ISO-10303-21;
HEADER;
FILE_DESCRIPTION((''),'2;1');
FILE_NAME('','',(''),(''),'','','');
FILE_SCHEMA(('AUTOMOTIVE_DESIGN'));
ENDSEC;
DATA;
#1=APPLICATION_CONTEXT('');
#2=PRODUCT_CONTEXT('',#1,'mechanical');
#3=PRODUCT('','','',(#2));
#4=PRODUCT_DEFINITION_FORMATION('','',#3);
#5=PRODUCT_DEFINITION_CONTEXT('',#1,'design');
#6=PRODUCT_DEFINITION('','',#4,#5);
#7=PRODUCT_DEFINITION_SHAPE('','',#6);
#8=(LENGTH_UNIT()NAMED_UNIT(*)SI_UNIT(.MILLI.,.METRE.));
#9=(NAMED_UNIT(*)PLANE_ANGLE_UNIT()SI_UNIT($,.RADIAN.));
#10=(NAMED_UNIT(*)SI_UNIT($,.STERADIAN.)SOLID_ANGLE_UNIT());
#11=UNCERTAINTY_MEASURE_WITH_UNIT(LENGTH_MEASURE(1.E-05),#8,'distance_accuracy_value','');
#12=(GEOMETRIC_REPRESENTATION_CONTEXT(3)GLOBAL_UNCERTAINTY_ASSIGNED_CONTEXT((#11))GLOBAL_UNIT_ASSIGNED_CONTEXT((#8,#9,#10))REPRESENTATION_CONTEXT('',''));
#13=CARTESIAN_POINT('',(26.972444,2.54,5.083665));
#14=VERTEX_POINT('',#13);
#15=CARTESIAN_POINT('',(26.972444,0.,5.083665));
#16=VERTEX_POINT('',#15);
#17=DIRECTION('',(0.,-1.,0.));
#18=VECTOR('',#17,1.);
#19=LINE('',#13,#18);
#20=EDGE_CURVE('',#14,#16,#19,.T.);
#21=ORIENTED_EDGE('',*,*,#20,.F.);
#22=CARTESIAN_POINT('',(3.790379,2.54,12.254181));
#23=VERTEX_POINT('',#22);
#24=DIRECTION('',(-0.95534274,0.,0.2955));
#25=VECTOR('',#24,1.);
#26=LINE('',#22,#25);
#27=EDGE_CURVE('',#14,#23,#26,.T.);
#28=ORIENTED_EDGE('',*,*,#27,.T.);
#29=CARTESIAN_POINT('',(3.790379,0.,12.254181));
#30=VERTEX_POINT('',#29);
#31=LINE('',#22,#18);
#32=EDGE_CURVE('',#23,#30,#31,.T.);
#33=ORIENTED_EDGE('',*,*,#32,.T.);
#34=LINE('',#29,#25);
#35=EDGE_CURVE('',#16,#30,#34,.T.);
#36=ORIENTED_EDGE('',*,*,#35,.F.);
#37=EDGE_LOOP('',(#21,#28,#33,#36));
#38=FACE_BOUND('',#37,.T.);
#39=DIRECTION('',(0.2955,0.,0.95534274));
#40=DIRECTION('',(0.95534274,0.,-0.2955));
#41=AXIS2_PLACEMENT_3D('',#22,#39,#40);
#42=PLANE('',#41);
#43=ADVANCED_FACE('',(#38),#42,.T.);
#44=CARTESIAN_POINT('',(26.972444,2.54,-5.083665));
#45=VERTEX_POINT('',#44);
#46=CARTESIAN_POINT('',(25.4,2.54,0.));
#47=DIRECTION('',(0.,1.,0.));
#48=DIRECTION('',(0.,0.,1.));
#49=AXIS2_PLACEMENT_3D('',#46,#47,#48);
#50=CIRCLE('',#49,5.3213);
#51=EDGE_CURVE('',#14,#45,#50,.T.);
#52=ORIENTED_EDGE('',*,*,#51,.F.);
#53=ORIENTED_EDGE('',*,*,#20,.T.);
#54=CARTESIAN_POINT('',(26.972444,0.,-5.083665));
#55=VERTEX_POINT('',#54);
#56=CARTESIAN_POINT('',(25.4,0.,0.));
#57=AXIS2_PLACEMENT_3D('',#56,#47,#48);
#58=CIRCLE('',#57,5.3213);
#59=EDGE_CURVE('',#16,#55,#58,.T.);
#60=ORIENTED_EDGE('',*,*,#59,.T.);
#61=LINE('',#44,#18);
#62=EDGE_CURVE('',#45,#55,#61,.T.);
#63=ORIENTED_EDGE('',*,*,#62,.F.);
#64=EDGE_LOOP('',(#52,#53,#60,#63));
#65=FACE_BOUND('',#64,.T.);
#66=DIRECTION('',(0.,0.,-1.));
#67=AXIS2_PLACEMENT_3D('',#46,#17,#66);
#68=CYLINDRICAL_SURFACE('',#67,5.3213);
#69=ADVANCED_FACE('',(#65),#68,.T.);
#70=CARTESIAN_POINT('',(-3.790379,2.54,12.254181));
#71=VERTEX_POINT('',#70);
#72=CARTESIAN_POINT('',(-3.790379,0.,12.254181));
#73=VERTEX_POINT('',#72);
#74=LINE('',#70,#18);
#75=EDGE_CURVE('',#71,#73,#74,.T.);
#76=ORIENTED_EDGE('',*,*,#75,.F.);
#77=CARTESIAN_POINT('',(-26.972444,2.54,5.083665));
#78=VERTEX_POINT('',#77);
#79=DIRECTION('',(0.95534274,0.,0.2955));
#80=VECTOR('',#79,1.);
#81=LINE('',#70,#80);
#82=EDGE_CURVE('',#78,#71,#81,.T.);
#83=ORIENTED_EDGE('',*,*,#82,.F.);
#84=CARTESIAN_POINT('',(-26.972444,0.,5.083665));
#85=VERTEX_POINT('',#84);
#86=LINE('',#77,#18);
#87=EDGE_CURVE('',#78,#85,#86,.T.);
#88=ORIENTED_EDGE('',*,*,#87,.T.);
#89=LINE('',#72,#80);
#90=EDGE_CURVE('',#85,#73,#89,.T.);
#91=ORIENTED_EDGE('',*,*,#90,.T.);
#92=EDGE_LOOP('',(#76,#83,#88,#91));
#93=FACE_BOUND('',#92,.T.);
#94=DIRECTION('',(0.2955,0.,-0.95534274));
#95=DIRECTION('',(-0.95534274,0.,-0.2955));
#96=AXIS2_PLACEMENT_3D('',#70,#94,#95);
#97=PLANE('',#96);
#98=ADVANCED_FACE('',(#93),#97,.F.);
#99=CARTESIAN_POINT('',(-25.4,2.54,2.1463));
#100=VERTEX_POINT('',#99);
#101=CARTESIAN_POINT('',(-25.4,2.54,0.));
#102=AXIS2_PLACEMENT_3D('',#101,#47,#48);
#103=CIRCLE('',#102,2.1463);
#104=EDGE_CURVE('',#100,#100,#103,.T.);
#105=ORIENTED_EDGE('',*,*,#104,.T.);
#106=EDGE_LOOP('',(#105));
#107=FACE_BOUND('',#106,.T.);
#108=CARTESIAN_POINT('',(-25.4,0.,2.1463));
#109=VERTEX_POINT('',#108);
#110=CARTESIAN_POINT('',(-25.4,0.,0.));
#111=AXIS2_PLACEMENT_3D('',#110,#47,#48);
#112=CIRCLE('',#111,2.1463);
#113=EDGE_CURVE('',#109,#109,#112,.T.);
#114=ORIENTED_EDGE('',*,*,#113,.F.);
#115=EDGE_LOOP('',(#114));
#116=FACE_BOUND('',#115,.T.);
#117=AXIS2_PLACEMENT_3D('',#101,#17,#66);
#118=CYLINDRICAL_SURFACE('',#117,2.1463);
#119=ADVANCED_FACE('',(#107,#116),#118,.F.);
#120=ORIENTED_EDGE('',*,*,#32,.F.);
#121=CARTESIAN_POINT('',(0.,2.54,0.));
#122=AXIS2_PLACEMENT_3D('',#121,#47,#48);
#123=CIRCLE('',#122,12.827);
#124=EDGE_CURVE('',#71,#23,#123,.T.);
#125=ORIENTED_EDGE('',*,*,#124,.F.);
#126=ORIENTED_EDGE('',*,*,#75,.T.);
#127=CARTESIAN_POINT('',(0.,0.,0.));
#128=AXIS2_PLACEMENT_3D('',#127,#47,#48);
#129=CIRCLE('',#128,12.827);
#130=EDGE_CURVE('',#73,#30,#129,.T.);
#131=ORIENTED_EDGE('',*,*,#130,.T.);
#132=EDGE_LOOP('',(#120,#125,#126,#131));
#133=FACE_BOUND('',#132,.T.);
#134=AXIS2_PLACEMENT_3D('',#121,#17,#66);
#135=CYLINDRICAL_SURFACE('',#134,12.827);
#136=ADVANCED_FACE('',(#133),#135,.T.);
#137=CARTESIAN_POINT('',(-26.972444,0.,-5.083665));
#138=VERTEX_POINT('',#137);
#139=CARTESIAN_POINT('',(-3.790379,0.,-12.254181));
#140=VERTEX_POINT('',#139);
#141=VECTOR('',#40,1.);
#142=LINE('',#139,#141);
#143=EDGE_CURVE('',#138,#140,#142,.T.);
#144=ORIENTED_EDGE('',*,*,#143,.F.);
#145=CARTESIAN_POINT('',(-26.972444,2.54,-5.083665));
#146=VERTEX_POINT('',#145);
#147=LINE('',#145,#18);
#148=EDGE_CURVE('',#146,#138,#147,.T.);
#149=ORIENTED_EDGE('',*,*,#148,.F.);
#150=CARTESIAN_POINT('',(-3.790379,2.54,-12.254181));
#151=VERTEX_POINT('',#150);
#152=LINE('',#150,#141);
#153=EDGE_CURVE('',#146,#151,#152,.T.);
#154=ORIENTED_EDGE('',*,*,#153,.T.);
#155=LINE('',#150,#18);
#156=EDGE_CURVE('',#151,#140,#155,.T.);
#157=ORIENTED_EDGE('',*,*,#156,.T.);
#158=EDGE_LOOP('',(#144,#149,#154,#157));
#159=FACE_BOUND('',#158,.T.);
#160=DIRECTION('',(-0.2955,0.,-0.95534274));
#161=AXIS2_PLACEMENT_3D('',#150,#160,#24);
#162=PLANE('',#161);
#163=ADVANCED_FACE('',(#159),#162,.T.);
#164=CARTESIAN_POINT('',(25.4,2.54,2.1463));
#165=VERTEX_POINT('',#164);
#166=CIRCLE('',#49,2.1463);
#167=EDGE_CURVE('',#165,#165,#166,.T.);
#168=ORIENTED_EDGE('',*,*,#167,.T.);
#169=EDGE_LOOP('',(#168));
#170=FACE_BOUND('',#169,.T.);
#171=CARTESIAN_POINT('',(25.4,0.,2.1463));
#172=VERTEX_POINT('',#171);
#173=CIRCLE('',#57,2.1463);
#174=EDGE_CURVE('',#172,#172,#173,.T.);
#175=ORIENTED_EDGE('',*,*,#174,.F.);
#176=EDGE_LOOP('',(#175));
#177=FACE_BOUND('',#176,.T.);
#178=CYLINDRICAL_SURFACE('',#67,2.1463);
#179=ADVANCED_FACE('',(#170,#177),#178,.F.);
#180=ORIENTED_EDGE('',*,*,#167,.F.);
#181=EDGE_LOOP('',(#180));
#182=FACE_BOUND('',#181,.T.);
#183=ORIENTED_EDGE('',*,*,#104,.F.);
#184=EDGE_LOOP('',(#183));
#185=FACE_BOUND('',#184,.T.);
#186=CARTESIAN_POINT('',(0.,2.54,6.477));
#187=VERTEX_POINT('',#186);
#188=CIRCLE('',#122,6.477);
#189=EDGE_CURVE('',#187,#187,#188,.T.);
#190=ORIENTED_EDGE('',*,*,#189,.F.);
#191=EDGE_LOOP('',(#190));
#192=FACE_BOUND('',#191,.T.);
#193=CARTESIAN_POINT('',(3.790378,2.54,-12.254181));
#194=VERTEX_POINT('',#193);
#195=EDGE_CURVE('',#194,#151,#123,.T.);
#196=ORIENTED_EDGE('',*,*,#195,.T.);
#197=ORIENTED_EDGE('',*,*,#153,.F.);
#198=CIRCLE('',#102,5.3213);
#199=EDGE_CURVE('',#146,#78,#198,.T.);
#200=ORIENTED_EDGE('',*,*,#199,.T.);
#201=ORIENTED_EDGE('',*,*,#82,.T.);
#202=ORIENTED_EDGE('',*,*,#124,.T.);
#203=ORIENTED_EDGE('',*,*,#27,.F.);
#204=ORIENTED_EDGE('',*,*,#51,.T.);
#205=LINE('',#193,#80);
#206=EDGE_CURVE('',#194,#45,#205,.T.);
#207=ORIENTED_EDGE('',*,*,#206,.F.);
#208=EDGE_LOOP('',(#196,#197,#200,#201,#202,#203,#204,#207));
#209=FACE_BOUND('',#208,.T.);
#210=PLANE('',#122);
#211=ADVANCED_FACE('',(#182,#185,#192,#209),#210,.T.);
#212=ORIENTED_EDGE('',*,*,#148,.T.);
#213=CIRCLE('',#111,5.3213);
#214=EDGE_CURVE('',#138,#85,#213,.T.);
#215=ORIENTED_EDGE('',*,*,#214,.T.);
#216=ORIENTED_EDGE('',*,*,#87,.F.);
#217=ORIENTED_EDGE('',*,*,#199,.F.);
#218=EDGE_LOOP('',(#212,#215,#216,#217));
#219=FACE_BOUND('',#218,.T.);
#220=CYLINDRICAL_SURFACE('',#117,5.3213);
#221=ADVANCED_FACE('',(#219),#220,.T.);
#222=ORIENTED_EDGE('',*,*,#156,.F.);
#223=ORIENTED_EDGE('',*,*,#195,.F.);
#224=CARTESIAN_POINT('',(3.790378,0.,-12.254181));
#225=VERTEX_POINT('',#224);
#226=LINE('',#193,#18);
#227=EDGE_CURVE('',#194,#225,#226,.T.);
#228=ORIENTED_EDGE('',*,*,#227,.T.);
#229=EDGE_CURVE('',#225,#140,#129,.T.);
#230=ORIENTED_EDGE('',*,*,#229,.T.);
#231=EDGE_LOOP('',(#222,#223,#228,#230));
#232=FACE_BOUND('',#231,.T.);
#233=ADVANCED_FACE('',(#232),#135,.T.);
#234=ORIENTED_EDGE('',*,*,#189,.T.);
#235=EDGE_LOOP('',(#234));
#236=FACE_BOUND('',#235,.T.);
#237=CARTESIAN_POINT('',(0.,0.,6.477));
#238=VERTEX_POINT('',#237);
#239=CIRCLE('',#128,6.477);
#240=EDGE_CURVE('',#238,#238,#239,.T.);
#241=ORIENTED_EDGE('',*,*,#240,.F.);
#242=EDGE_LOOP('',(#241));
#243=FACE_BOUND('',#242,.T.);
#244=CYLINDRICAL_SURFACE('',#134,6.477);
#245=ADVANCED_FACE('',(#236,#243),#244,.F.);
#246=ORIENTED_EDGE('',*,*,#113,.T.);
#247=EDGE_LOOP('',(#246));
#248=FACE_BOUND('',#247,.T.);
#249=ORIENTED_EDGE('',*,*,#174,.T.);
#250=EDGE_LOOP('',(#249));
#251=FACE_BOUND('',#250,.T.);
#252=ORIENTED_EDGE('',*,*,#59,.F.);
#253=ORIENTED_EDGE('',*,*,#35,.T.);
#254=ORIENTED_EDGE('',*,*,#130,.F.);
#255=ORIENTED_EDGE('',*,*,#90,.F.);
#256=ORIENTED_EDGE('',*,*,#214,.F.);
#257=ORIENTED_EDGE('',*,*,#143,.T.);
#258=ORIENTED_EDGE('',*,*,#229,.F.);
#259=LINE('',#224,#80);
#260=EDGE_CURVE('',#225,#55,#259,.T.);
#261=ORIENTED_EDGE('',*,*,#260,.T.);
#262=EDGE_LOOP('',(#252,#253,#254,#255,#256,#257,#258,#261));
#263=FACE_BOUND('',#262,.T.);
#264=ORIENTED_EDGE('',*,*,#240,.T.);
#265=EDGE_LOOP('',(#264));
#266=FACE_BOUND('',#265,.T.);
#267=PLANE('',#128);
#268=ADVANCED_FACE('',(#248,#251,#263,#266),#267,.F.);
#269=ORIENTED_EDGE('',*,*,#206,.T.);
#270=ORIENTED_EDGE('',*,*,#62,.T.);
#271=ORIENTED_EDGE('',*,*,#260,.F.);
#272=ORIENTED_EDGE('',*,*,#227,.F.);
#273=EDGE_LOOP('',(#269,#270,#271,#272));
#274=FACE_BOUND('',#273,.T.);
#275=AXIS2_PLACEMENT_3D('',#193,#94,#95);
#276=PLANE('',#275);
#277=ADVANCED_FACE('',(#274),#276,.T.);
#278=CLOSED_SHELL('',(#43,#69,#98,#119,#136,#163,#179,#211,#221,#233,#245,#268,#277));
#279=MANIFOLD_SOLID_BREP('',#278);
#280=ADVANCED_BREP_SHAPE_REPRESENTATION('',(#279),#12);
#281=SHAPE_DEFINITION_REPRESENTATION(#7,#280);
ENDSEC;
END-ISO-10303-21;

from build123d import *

# Parameters (mm, degrees)
SKETCH1_R           = 5.3213
SKETCH1_R_2         = 2.1463
SKETCH1_R_3         = 12.827
SKETCH1_R_4         = 6.477
BOSS_EXTRUDE1_DEPTH = 2.54


with BuildPart() as part:
    # Sketch1 → Boss-Extrude1 (new body)
    # profile 1 of 5: a face of its own
    with BuildSketch(Plane(origin=(0, 0, 0), x_dir=(1, 0, 0), z_dir=(0, 1, 0))):
        with BuildLine():
            Line((-3.7903785, 12.25418132), (-26.97244415, 5.08366532))
            ThreePointArc((-26.97244415, 5.08366532), (-22.241773707, 4.282737486), (-20.0787, 0))
            ThreePointArc((-20.0787, 0), (-22.241773707, -4.282737486), (-26.97244415, -5.08366532))
            Line((-26.97244415, -5.08366532), (-3.7903785, -12.25418132))
            ThreePointArc((-3.7903785, -12.25418132), (-12.827, 0), (-3.7903785, 12.25418132))
        make_face()
    # profile 2 of 5: a face of its own
    with BuildSketch(Plane(origin=(0, 0, 0), x_dir=(1, 0, 0), z_dir=(0, 1, 0))):
        with Locations((-25.4, 0)):
            Circle(SKETCH1_R)
        with Locations(Location((-25.4, 0, 0), (0, 0, 270))):
            Circle(SKETCH1_R_2, mode=Mode.SUBTRACT)
    # profile 3 of 5: a face of its own
    with BuildSketch(Plane(origin=(0, 0, 0), x_dir=(1, 0, 0), z_dir=(0, 1, 0))):
        Circle(SKETCH1_R_3)
        with Locations(Location((0, 0, 0), (0, 0, 270))):
            Circle(SKETCH1_R_4, mode=Mode.SUBTRACT)
    # profile 4 of 5: a face of its own
    with BuildSketch(Plane(origin=(0, 0, 0), x_dir=(1, 0, 0), z_dir=(0, 1, 0))):
        with BuildLine():
            Line((26.97244415, 5.08366532), (3.7903785, 12.25418132))
            ThreePointArc((3.7903785, 12.25418132), (10.32354382, 7.612908248), (12.827, 0))
            ThreePointArc((12.827, 0), (10.32354382, -7.612908248), (3.7903785, -12.25418132))
            Line((3.7903785, -12.25418132), (26.97244415, -5.08366532))
            ThreePointArc((26.97244415, -5.08366532), (20.0787, 0), (26.97244415, 5.08366532))
        make_face()
    # profile 5 of 5: a face of its own
    with BuildSketch(Plane(origin=(0, 0, 0), x_dir=(1, 0, 0), z_dir=(0, 1, 0))):
        with Locations((25.4, 0)):
            Circle(SKETCH1_R)
        with Locations(Location((25.4, 0, 0), (0, 0, 270))):
            Circle(SKETCH1_R_2, mode=Mode.SUBTRACT)
    extrude(amount=BOSS_EXTRUDE1_DEPTH)


solid = part.part
